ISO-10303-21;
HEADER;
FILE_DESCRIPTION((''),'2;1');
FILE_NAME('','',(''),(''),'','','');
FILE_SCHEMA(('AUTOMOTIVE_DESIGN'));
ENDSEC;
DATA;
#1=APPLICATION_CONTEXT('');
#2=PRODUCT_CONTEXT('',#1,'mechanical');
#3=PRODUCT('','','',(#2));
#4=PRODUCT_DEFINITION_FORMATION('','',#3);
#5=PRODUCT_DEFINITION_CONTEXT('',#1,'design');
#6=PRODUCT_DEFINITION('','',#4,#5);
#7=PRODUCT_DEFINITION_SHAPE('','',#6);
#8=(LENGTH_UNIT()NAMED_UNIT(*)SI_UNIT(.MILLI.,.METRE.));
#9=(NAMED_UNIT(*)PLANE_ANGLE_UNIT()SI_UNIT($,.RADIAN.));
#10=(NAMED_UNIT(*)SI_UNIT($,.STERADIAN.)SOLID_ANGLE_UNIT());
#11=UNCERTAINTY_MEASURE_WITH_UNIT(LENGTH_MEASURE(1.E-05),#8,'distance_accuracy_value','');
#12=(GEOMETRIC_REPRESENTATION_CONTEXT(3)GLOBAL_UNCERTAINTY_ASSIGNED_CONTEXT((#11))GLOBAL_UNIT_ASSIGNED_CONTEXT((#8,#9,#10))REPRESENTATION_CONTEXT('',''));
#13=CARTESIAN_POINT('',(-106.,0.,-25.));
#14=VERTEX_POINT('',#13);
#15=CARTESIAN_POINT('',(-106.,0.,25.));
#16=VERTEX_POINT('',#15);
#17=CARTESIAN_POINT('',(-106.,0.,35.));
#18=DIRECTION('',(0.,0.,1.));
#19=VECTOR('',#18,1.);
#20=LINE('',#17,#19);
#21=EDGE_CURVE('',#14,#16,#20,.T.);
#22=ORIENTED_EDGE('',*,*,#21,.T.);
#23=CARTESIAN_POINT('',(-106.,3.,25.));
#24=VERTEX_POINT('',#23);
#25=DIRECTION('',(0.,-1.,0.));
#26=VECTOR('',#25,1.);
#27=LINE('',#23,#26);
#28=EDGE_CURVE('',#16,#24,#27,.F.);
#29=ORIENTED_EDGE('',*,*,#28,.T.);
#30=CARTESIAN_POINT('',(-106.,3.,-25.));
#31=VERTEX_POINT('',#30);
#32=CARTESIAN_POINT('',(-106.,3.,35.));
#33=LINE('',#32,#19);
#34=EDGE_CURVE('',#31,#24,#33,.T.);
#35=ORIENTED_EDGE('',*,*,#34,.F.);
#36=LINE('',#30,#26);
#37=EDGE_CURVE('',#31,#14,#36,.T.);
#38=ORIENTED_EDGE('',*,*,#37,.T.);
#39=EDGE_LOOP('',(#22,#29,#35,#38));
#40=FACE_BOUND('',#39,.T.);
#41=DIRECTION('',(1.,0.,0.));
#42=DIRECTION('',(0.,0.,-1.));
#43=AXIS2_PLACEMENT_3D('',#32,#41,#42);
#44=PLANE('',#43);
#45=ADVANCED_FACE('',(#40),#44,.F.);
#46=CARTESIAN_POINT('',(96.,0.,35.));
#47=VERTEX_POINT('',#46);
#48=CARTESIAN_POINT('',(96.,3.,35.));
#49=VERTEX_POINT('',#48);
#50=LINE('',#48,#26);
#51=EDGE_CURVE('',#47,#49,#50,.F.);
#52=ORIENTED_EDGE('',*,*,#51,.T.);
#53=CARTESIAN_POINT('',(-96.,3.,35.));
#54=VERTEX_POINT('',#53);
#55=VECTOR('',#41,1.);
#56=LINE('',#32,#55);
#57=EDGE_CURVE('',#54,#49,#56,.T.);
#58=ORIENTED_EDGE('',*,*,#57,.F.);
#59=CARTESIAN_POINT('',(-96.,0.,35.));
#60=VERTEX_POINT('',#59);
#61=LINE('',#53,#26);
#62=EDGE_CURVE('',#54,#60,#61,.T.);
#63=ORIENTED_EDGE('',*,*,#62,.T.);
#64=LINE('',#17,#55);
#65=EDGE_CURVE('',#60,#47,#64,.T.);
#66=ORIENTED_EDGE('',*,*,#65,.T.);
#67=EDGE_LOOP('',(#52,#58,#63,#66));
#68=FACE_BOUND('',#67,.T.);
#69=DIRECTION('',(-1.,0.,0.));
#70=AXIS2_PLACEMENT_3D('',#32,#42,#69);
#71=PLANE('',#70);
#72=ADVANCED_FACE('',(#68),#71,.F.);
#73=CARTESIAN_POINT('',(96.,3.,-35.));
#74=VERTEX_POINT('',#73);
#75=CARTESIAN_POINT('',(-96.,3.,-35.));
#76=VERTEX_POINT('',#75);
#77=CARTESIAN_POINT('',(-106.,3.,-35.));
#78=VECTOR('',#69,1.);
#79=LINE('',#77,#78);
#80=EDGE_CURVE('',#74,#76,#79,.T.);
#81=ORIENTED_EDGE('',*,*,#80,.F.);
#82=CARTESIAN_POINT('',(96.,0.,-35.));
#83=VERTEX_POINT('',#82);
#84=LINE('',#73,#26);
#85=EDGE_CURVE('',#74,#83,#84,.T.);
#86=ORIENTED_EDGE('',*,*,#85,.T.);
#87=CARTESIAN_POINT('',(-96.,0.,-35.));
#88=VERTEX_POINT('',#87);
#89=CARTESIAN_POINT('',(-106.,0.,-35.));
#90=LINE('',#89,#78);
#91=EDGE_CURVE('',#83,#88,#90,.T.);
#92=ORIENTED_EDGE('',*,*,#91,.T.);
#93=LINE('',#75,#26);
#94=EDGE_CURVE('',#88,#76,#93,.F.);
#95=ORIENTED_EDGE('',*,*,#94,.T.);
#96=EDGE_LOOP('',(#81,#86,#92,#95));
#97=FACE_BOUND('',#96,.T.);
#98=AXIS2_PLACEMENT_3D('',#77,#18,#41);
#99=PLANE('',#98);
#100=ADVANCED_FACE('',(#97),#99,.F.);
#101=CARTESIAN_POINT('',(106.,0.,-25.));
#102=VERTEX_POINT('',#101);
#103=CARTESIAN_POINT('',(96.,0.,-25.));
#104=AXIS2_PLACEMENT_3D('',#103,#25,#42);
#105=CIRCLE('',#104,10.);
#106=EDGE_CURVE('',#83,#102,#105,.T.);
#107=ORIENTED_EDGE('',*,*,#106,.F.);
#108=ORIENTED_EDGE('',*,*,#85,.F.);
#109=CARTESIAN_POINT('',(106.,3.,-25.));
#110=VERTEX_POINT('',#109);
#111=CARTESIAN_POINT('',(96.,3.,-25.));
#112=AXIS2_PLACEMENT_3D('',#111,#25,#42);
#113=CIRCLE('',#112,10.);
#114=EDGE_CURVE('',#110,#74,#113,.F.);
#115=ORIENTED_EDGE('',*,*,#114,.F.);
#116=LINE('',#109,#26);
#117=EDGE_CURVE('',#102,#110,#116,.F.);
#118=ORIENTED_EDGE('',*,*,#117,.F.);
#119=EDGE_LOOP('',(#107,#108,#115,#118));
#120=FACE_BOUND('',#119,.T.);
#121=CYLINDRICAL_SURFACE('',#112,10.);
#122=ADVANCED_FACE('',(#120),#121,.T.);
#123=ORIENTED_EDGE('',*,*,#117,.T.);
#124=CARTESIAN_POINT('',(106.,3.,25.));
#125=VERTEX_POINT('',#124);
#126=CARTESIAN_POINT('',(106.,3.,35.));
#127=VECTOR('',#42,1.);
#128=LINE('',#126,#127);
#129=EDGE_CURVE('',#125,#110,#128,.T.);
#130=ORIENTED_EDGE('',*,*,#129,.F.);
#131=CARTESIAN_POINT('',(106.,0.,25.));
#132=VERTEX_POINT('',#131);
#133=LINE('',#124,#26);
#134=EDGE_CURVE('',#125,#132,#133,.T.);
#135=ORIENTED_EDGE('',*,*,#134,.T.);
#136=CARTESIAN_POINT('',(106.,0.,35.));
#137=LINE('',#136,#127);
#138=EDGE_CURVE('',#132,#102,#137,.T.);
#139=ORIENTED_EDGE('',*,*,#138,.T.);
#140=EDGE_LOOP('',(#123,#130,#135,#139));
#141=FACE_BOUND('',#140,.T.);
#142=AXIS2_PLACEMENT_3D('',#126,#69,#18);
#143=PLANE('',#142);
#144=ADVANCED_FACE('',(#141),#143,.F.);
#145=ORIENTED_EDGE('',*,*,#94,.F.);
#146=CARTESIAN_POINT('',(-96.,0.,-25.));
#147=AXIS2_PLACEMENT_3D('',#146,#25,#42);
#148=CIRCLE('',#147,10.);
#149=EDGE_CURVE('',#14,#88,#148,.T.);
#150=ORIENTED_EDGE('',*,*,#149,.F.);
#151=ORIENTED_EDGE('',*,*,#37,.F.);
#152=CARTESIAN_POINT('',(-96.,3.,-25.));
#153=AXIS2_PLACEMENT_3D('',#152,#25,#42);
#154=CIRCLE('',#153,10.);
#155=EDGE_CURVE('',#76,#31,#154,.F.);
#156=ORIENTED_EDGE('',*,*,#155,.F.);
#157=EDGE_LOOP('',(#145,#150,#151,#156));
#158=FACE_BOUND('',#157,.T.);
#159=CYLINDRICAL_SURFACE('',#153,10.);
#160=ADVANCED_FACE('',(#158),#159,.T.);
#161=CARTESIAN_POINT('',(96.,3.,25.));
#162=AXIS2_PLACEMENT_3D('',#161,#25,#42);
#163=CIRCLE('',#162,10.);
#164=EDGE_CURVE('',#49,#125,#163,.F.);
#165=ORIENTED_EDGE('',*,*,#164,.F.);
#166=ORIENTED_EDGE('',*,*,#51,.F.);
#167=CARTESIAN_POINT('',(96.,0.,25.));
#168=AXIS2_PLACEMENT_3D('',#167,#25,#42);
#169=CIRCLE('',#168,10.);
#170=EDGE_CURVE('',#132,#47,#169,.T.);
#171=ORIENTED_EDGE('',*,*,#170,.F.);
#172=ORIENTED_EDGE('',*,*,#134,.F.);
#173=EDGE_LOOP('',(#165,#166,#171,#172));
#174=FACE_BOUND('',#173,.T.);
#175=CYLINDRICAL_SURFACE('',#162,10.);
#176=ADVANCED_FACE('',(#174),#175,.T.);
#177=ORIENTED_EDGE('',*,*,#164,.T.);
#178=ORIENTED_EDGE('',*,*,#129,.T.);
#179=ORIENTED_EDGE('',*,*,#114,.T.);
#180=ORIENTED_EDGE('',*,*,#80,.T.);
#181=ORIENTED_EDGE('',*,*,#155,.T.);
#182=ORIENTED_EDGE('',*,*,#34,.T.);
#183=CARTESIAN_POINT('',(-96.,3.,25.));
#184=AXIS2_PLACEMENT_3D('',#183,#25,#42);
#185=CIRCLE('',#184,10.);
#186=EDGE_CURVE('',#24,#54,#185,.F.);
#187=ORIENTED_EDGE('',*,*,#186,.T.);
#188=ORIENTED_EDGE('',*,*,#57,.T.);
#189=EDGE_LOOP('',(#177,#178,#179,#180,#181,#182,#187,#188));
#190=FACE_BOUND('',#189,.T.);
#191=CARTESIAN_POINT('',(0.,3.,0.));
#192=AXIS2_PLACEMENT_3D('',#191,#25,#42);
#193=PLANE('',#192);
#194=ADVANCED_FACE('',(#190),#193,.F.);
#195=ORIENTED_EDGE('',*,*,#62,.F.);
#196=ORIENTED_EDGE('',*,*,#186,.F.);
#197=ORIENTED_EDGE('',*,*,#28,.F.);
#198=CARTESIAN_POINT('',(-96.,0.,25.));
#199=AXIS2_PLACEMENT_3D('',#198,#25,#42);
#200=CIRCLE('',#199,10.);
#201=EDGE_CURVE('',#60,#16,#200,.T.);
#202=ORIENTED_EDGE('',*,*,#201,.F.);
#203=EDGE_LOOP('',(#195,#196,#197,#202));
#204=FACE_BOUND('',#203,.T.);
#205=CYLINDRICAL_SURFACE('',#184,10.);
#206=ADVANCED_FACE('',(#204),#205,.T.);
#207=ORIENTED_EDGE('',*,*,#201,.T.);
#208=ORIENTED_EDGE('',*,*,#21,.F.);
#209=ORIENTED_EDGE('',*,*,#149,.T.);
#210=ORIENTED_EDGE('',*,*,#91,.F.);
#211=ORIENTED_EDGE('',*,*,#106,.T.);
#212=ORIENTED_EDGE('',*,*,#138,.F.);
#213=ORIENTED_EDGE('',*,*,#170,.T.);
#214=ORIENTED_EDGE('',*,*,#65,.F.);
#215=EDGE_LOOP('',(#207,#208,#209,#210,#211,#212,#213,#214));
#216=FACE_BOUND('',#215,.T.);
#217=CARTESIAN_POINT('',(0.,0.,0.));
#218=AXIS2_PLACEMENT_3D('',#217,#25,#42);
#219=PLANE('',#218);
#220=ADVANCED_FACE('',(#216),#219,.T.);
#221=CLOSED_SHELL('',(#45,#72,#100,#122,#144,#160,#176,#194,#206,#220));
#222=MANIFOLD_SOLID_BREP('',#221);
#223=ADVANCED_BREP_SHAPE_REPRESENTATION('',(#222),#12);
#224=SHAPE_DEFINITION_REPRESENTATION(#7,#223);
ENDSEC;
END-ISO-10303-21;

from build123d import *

# Parameters (mm, degrees)
SKETCH1_W           = 212
SKETCH1_H           = 70
BOSS_EXTRUDE1_DEPTH = 3
FILLET1_R           = 10


with BuildPart() as part:
    # Sketch1 → Boss-Extrude1 (new body)
    with BuildSketch(Plane(origin=(0, 0, 0), x_dir=(1, 0, 0), z_dir=(0, 1, 0))):
        Rectangle(SKETCH1_W, SKETCH1_H)
    extrude(amount=BOSS_EXTRUDE1_DEPTH)

    # Fillet1
    fillet1_edges = [part.edges().sort_by_distance(p)[0] for p in [
        (106, 1.5, 35),
        (-106, 1.5, 35),
        (-106, 1.5, -35),
        (106, 1.5, -35),
    ]]
    fillet(fillet1_edges, radius=FILLET1_R)


solid = part.part
